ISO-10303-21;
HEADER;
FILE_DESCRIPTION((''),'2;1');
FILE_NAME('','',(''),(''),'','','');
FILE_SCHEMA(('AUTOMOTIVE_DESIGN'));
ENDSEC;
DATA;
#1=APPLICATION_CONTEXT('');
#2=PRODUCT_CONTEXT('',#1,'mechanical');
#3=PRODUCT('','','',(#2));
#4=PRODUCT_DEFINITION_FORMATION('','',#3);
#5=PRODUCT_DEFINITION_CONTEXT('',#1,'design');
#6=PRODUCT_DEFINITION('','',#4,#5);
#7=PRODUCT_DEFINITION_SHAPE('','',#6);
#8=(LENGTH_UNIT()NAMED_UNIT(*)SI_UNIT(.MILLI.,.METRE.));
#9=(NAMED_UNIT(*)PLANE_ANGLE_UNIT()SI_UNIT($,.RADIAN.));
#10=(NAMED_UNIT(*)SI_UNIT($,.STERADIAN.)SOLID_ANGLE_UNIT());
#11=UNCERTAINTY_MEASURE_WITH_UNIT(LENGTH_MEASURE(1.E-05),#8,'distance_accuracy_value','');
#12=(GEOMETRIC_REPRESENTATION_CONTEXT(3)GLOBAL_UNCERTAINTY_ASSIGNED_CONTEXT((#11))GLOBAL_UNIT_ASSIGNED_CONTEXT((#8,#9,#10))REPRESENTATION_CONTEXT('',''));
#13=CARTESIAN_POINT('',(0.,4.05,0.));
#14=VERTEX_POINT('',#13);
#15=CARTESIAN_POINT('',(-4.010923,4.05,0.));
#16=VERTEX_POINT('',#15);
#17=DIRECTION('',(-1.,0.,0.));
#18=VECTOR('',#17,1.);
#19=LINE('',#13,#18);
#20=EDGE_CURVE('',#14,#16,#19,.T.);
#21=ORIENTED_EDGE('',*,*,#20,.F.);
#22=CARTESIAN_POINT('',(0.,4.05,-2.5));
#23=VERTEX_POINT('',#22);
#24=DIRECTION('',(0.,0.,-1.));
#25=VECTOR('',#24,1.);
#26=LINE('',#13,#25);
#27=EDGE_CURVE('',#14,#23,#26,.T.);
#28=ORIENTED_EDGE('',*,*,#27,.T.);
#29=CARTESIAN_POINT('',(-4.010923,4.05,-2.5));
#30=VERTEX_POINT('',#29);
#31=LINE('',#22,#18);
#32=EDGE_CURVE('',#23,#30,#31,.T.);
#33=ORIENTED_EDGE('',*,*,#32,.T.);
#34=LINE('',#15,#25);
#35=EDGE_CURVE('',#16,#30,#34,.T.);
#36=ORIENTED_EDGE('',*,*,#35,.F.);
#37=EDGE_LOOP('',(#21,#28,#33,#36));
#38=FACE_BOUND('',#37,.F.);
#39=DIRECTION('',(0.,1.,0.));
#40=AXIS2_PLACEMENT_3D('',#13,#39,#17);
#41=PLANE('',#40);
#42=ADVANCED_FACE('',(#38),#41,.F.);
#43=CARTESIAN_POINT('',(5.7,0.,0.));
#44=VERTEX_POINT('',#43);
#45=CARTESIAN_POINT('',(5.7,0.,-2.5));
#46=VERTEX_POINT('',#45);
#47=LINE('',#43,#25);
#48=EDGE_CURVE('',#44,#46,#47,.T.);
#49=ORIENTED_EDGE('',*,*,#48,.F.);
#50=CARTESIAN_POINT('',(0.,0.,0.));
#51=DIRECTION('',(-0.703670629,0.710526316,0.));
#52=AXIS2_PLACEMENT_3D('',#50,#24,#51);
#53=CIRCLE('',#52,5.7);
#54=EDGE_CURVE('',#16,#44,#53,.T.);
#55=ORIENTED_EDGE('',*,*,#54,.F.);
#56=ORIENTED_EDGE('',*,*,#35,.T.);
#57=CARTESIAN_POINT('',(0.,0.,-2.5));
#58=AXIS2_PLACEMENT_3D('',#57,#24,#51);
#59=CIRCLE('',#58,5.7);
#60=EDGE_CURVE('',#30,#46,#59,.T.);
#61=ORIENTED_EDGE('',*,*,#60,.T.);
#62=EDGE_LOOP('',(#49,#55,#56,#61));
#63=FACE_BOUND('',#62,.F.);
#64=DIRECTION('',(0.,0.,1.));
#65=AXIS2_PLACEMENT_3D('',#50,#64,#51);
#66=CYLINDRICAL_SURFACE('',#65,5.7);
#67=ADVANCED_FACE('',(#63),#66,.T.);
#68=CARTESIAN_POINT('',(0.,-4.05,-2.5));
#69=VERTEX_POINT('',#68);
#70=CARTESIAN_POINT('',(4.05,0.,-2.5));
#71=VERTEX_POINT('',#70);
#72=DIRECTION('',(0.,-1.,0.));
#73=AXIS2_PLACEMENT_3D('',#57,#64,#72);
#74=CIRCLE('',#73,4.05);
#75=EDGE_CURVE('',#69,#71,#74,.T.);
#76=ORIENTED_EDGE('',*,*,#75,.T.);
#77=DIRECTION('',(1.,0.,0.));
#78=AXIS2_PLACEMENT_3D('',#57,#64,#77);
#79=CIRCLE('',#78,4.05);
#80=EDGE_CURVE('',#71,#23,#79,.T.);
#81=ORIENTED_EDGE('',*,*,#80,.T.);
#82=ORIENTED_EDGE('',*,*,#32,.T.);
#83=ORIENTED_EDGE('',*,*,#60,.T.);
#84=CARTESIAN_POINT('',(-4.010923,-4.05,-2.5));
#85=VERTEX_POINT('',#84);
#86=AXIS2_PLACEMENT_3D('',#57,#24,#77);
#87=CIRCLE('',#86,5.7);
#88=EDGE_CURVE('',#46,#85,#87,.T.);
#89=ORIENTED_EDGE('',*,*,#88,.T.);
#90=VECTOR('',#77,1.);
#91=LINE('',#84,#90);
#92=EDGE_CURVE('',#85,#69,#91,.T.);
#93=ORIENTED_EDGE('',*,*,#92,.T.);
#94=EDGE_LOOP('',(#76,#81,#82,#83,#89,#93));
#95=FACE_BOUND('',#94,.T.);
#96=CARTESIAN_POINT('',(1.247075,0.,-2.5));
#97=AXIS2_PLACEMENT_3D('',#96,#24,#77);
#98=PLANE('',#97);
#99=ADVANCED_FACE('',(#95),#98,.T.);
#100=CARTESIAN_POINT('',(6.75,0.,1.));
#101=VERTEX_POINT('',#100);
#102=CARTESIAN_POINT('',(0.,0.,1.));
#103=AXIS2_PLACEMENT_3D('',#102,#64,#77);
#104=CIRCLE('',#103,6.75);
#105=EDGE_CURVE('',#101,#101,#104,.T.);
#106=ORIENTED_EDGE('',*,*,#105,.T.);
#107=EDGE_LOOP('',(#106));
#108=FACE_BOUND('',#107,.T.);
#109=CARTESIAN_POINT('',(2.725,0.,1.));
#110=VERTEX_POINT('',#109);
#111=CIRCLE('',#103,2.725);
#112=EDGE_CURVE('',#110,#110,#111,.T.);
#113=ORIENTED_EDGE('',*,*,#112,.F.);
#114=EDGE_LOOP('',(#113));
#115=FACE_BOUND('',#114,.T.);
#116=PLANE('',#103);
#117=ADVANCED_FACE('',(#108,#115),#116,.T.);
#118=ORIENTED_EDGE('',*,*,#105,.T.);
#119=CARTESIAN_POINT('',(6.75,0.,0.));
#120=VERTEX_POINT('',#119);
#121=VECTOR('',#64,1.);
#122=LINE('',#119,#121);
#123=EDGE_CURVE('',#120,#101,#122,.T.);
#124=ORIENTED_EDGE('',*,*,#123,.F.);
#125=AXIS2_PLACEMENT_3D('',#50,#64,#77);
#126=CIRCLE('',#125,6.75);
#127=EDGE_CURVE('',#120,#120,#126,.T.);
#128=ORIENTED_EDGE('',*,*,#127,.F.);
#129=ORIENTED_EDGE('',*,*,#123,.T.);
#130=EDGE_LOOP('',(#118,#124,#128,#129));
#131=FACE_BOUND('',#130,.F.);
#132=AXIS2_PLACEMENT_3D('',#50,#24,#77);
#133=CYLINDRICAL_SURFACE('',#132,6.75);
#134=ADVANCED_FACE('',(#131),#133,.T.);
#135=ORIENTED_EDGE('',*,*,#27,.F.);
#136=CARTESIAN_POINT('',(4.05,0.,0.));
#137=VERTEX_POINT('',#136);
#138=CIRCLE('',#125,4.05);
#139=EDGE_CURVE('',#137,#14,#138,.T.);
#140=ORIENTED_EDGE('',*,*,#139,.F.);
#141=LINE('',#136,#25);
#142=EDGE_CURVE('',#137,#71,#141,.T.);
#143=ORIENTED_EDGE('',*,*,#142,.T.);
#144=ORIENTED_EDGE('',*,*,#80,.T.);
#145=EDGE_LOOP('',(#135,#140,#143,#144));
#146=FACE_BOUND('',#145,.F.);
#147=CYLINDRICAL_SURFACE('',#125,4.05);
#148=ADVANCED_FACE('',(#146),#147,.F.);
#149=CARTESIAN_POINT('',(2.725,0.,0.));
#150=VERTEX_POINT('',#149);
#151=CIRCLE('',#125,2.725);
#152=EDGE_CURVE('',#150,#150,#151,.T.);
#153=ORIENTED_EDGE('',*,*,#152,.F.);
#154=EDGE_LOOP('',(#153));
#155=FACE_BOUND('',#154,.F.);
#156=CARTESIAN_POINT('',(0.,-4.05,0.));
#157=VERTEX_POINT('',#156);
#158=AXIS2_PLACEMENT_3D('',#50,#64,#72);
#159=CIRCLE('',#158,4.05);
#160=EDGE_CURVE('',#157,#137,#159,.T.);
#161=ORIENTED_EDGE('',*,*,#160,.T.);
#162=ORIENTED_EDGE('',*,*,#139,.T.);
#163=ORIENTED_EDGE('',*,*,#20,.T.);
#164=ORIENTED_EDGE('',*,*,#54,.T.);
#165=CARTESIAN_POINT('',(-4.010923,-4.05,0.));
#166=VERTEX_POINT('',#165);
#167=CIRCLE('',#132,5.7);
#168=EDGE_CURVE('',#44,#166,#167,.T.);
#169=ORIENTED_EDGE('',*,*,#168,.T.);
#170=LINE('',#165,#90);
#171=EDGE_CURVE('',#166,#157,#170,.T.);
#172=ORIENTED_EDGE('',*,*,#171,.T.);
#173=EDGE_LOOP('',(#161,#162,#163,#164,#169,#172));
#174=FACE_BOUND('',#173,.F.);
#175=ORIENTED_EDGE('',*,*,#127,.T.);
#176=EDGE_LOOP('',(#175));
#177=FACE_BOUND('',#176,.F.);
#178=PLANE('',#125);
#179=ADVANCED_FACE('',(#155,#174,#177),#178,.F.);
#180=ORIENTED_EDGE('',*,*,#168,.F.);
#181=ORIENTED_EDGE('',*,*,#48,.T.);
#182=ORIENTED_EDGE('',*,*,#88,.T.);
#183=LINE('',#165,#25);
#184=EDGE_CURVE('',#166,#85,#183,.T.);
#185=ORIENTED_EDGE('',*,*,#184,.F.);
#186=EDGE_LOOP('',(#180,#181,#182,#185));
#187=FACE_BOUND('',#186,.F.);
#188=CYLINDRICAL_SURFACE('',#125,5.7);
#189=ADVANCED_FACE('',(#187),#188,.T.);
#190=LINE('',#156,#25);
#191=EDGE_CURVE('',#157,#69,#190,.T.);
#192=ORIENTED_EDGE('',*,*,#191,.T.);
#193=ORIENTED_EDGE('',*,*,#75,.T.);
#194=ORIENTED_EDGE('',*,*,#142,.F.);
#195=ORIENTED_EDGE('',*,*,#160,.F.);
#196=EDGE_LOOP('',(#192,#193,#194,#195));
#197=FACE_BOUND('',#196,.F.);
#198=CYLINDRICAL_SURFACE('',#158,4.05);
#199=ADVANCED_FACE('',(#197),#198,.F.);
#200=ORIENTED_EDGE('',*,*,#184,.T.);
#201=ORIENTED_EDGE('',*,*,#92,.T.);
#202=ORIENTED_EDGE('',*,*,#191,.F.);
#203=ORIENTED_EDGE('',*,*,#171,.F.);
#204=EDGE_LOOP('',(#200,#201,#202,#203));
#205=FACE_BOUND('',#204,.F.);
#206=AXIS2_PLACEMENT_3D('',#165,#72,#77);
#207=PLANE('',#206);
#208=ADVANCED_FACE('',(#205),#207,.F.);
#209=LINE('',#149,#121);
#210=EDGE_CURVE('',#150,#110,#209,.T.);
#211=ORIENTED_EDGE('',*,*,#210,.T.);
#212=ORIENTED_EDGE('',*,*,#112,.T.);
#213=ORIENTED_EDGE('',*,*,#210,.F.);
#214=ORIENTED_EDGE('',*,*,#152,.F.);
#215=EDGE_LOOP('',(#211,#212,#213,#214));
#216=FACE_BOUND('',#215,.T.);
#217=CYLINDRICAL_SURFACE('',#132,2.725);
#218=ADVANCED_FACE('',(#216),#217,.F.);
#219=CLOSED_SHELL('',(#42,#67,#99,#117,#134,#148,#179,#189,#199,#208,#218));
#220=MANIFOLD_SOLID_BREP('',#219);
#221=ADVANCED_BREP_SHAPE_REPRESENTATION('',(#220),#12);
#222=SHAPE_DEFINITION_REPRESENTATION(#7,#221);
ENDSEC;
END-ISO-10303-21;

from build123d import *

# Parameters (mm, degrees)
F0_R     = 6.75
F0_R_2   = 2.725
F1_DEPTH = 1
F3_DEPTH = 2.5


with BuildPart() as f1:
    # F0 (on Top) → F1 (new body)
    with BuildSketch(Plane.XY):
        Circle(F0_R)
        Circle(F0_R_2, mode=Mode.SUBTRACT)
    extrude(amount=F1_DEPTH)

    # F2 (on face) → F3 (join)
    with BuildSketch(Plane(origin=(0, 0, 0), x_dir=(1, 0, 0), z_dir=(0, 0, -1))):
        with BuildLine():
            ThreePointArc((-4.0109225871, -4.05), (2.1940534694, -5.2608107145), (5.7, 0))
            ThreePointArc((5.7, 0), (2.1940534694, 5.2608107145), (-4.0109225871, 4.05))
            Line((-4.0109225871, 4.05), (0, 4.05))
            ThreePointArc((0, 4.05), (2.8637824638, 2.8637824638), (4.05, 0))
            ThreePointArc((4.05, 0), (2.8637824638, -2.8637824638), (0, -4.05))
            Line((0, -4.05), (-4.0109225871, -4.05))
        make_face()
    extrude(amount=F3_DEPTH)


solid = f1.part
